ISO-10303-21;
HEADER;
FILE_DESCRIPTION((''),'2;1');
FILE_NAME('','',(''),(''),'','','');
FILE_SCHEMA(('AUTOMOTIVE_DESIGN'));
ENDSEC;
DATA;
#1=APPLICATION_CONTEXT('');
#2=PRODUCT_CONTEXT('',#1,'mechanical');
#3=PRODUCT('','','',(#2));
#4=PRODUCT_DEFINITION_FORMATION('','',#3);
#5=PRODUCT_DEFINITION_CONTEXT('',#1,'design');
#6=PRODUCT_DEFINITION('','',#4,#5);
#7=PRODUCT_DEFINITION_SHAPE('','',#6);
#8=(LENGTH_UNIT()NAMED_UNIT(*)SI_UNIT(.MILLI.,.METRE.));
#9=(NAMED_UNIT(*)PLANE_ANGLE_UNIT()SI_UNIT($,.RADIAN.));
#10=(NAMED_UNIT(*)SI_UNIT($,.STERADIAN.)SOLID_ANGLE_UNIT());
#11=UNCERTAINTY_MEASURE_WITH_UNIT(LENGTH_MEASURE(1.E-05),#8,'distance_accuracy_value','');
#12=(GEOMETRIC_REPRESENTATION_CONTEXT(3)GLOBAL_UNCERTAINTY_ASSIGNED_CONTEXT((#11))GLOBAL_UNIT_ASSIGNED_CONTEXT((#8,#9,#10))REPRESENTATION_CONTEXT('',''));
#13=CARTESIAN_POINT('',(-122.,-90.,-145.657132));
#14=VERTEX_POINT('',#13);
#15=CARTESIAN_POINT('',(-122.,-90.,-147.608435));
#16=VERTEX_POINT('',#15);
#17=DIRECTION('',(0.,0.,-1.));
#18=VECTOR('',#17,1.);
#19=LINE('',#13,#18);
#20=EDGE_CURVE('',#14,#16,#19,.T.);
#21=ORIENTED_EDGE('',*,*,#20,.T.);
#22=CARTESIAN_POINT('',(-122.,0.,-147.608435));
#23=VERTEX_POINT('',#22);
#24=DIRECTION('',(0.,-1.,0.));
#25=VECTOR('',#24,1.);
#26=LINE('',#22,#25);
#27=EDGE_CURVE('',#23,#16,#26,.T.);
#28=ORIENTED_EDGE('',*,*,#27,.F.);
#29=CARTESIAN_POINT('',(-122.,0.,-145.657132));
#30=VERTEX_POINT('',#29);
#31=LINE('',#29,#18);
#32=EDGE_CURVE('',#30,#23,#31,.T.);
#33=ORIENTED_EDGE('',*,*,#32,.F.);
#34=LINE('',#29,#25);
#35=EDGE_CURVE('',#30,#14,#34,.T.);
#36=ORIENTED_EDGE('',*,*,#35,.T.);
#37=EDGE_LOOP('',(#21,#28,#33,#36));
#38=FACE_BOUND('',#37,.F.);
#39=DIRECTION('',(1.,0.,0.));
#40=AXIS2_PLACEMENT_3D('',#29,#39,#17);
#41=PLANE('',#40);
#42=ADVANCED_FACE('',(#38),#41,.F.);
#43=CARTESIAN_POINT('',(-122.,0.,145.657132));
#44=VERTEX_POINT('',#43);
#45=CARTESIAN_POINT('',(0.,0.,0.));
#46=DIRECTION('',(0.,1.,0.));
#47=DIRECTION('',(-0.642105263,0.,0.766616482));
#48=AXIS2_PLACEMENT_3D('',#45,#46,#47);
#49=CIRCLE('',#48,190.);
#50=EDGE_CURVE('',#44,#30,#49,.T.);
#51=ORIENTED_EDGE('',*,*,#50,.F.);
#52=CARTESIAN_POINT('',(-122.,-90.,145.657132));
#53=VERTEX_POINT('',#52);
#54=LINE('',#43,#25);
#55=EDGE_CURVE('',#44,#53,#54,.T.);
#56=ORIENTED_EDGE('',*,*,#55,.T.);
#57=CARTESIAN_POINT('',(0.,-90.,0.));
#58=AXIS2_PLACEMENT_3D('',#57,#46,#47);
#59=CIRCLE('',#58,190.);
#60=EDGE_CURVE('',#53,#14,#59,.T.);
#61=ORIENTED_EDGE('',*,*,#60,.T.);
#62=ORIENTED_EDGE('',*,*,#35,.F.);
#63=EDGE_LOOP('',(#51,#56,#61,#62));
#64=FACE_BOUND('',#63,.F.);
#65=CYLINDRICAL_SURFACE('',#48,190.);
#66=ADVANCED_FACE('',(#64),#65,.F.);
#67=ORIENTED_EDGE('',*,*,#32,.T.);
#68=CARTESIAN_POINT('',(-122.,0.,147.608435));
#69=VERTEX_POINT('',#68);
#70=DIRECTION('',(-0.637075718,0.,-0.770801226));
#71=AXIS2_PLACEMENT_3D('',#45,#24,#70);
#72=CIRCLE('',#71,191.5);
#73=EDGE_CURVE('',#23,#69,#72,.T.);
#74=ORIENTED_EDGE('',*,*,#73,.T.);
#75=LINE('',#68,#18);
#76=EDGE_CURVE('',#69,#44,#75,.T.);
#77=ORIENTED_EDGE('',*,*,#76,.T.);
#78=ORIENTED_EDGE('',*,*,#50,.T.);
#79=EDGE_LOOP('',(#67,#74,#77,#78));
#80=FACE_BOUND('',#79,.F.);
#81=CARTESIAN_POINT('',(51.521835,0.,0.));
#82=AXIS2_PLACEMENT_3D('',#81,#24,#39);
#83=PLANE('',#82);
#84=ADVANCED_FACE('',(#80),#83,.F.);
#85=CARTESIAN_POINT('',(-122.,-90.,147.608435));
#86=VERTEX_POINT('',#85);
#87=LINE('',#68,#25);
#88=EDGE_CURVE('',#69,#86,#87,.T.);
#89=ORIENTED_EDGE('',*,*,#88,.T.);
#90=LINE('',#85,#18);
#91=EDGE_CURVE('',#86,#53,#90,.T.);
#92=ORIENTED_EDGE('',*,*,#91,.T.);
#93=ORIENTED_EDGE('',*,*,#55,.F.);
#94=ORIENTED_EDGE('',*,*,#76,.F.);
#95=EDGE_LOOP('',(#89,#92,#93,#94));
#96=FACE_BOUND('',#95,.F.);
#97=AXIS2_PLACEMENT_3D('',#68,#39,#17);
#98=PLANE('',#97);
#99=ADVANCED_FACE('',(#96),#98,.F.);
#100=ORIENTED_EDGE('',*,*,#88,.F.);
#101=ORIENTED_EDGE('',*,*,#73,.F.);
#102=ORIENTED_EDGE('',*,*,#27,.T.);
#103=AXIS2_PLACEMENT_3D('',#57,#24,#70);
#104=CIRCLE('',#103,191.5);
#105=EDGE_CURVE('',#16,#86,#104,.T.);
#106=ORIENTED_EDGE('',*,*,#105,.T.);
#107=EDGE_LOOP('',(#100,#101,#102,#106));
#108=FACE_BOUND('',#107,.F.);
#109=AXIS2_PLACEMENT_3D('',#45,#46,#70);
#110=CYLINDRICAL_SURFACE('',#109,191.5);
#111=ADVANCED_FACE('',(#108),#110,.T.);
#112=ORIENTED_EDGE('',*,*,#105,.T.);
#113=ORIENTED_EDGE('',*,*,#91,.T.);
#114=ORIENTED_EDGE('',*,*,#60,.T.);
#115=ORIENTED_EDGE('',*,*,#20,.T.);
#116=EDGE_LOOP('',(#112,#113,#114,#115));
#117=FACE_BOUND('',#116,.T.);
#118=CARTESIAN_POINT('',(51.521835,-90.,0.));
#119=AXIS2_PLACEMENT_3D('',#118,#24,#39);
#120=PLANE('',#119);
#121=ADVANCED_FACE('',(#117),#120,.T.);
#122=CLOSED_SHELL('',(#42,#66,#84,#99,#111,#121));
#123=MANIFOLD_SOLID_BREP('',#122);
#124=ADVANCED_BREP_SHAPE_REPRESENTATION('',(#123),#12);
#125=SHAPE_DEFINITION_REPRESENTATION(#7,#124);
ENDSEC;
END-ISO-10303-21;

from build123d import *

# Parameters (mm, degrees)
F1_DEPTH = 90


with BuildPart() as f1:
    # F0 (on Front) → F1 (new body)
    with BuildSketch(Plane.XZ):
        with BuildLine():
            ThreePointArc((-122, 145.6571316483), (80.3741251896, 172.1627137333), (190, 0))
            ThreePointArc((190, 0), (80.3741251896, -172.1627137333), (-122, -145.6571316483))
            Line((-122, -145.6571316483), (-122, -147.6084347183))
            ThreePointArc((-122, -147.6084347183), (81.5758849171, -173.2559522787), (191.5, 0))
            ThreePointArc((191.5, 0), (81.5758849171, 173.2559522787), (-122, 147.6084347183))
            Line((-122, 147.6084347183), (-122, 145.6571316483))
        make_face()
    extrude(amount=F1_DEPTH)


solid = f1.part
